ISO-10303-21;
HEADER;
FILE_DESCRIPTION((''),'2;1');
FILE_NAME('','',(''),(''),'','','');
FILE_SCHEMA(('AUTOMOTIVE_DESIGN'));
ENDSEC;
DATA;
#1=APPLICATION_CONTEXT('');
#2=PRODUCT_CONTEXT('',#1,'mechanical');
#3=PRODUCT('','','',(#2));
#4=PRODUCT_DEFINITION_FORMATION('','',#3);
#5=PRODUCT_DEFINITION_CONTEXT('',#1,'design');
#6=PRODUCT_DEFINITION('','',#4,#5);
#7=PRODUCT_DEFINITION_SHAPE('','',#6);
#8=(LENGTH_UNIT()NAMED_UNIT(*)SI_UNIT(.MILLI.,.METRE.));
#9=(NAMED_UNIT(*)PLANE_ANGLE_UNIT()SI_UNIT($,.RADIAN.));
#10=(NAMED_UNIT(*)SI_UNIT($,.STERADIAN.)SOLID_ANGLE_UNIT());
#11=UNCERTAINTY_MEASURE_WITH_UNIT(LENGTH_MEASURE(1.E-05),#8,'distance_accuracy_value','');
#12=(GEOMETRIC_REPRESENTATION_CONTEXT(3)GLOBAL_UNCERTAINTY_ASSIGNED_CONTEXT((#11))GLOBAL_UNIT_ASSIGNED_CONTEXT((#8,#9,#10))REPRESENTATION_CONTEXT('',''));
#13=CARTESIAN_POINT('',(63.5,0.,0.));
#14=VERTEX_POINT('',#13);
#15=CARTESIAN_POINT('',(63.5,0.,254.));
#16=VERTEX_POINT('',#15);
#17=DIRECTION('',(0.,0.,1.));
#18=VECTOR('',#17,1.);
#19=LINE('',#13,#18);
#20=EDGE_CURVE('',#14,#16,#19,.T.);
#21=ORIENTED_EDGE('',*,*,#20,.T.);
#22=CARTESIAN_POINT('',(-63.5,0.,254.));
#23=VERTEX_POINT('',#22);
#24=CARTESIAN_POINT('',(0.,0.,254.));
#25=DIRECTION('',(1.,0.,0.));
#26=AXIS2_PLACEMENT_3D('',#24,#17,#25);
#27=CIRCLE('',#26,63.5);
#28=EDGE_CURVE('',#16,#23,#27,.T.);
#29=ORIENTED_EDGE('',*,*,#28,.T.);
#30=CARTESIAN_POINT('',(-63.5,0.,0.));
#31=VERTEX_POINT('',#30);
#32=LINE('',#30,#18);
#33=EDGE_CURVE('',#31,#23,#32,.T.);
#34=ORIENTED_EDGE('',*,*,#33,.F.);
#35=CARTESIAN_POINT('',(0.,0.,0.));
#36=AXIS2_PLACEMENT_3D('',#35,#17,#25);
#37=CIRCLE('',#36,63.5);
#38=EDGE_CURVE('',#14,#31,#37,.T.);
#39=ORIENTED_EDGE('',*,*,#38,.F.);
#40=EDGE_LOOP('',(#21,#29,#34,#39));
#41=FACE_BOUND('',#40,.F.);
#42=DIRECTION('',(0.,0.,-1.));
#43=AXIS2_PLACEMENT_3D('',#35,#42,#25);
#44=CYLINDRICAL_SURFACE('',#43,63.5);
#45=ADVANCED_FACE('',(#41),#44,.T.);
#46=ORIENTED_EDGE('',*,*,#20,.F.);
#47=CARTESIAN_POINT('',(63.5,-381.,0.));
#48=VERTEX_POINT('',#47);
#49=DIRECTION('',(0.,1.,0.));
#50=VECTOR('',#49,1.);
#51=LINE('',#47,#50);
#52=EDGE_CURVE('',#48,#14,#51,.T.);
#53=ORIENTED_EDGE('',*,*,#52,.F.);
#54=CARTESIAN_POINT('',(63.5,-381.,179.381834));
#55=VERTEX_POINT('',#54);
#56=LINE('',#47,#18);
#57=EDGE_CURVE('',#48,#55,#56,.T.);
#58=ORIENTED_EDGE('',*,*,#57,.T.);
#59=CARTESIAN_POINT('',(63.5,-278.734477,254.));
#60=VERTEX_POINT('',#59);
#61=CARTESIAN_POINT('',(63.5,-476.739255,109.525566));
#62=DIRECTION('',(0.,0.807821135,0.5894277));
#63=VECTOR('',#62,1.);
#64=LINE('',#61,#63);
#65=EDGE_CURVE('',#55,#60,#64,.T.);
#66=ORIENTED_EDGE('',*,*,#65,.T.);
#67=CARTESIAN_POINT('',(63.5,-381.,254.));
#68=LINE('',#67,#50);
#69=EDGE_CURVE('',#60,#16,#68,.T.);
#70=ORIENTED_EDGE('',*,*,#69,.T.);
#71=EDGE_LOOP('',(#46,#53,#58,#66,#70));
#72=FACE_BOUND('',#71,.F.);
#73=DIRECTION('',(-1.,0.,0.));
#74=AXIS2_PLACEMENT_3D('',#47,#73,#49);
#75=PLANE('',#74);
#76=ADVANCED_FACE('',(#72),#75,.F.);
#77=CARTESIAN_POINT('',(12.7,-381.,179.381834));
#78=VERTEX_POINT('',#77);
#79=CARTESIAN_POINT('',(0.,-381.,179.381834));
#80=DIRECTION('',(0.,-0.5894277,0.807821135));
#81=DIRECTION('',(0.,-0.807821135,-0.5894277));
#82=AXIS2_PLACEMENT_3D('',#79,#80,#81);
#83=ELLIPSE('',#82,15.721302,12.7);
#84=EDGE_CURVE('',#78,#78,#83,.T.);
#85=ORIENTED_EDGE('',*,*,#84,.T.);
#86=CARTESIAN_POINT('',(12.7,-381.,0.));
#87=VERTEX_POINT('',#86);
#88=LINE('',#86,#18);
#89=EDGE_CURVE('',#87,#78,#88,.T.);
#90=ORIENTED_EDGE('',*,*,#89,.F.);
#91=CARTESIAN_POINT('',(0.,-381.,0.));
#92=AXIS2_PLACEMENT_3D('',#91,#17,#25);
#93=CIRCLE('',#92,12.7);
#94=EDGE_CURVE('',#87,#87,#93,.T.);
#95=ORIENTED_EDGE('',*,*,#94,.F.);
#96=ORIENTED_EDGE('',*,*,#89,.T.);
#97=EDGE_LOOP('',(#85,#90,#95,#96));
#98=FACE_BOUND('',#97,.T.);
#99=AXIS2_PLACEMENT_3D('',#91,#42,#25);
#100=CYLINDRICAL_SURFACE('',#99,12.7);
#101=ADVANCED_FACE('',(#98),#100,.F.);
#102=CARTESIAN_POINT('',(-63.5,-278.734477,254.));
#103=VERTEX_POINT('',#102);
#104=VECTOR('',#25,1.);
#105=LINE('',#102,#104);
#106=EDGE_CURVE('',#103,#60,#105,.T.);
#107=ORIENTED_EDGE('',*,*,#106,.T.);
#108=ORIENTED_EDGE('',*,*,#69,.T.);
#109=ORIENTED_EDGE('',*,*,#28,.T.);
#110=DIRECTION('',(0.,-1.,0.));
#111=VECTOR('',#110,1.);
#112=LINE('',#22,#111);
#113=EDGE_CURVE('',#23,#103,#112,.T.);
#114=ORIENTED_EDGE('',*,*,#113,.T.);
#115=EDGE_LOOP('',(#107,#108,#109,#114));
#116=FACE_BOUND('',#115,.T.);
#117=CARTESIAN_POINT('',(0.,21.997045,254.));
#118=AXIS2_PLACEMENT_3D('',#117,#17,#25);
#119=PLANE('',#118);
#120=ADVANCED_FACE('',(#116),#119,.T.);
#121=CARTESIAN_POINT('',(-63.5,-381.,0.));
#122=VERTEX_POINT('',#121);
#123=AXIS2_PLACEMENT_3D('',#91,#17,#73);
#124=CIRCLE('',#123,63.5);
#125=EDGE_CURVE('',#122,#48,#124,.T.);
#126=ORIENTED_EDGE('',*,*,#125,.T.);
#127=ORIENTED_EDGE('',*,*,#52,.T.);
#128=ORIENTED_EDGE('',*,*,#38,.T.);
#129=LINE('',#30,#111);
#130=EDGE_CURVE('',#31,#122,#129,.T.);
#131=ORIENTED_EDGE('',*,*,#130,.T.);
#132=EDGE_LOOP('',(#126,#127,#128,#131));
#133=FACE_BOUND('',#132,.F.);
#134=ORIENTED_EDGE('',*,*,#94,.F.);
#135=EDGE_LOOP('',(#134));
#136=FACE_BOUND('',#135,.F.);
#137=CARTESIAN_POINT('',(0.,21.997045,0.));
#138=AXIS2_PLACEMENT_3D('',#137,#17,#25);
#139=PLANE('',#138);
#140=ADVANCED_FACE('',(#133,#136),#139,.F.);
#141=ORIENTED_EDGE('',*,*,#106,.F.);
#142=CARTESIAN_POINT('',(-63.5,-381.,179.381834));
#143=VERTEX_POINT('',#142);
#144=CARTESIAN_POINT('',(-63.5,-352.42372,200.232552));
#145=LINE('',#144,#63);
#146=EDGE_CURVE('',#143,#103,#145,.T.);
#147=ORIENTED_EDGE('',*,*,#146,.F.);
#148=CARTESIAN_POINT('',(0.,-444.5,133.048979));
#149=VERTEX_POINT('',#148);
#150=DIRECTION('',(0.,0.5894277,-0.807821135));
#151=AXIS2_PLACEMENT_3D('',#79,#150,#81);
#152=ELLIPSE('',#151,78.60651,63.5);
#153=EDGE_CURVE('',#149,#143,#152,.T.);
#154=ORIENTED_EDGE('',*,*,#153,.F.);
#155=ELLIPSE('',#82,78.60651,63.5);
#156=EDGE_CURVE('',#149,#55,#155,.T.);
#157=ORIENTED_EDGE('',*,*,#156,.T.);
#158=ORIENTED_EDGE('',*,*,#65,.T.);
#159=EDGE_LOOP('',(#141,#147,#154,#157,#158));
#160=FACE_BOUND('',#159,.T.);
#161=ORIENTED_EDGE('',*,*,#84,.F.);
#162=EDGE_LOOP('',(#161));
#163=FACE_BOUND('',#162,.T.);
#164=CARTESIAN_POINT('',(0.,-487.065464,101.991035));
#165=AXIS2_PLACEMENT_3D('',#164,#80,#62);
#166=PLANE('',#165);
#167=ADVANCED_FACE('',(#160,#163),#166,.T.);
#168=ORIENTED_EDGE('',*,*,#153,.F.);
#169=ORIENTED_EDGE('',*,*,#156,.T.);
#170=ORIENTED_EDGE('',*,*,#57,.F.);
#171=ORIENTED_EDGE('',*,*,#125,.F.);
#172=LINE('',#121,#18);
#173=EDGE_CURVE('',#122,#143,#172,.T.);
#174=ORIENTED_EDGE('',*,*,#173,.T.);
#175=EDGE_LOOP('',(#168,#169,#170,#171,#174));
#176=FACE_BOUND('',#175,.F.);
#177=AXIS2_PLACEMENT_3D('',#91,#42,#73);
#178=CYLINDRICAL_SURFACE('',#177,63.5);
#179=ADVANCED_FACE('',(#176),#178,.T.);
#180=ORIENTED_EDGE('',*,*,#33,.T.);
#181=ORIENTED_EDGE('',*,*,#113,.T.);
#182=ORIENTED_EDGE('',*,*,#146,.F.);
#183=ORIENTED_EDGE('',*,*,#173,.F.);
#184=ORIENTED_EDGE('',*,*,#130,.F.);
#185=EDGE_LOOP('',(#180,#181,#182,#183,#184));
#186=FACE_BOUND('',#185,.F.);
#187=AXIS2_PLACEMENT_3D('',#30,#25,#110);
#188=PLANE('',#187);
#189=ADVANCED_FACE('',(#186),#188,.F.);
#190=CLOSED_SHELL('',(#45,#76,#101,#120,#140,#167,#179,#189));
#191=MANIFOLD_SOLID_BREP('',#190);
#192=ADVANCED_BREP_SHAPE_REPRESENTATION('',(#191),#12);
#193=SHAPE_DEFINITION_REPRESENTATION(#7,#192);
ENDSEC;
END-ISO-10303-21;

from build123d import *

# Parameters (mm, degrees)
F1_DEPTH      = 254
F3_DEPTH      = 254
F3_DEPTH_BACK = 254
F4_R          = 12.7
F5_DEPTH      = 254


with BuildPart() as f1:
    # F0 (on Top) → F1 (new body)
    with BuildSketch(Plane.XY):
        with BuildLine():
            Line((-63.5, 0), (63.5, 0))
            ThreePointArc((63.5, 0), (0, 63.5), (-63.5, 0))
        make_face()
        with BuildLine():
            Line((63.5, -381), (63.5, 0))
            ThreePointArc((63.5, 0), (0, -63.5), (-63.5, 0))
            Line((-63.5, 0), (-63.5, -381))
            ThreePointArc((-63.5, -381), (0, -317.5), (63.5, -381))
        make_face()
        with BuildLine():
            ThreePointArc((-63.5, 0), (0, -63.5), (63.5, 0))
            Line((63.5, 0), (-63.5, 0))
        make_face()
        with BuildLine():
            ThreePointArc((-63.5, -381), (0, -444.5), (63.5, -381))
            Line((63.5, -381), (-63.5, -381))
        make_face()
        with BuildLine():
            Line((-63.5, -381), (63.5, -381))
            ThreePointArc((63.5, -381), (0, -317.5), (-63.5, -381))
        make_face()
    extrude(amount=F1_DEPTH)

    # F2 (on Right) → F3 (cut, two sides)
    with BuildSketch(Plane.YZ) as f3_sk:
        Polygon((-487.0654642582, 308.1015944481), (-487.0654642582, 101.9910350442), (-204.5872807503, 308.1015944481), align=None)
    extrude(amount=-F3_DEPTH, mode=Mode.SUBTRACT)
    extrude(f3_sk.sketch, amount=F3_DEPTH_BACK, mode=Mode.SUBTRACT)

    # F4 (on Top) → F5 (cut)
    with BuildSketch(Plane.XY):
        with Locations((0, -381)):
            Circle(F4_R)
    extrude(amount=F5_DEPTH, mode=Mode.SUBTRACT)


solid = f1.part
